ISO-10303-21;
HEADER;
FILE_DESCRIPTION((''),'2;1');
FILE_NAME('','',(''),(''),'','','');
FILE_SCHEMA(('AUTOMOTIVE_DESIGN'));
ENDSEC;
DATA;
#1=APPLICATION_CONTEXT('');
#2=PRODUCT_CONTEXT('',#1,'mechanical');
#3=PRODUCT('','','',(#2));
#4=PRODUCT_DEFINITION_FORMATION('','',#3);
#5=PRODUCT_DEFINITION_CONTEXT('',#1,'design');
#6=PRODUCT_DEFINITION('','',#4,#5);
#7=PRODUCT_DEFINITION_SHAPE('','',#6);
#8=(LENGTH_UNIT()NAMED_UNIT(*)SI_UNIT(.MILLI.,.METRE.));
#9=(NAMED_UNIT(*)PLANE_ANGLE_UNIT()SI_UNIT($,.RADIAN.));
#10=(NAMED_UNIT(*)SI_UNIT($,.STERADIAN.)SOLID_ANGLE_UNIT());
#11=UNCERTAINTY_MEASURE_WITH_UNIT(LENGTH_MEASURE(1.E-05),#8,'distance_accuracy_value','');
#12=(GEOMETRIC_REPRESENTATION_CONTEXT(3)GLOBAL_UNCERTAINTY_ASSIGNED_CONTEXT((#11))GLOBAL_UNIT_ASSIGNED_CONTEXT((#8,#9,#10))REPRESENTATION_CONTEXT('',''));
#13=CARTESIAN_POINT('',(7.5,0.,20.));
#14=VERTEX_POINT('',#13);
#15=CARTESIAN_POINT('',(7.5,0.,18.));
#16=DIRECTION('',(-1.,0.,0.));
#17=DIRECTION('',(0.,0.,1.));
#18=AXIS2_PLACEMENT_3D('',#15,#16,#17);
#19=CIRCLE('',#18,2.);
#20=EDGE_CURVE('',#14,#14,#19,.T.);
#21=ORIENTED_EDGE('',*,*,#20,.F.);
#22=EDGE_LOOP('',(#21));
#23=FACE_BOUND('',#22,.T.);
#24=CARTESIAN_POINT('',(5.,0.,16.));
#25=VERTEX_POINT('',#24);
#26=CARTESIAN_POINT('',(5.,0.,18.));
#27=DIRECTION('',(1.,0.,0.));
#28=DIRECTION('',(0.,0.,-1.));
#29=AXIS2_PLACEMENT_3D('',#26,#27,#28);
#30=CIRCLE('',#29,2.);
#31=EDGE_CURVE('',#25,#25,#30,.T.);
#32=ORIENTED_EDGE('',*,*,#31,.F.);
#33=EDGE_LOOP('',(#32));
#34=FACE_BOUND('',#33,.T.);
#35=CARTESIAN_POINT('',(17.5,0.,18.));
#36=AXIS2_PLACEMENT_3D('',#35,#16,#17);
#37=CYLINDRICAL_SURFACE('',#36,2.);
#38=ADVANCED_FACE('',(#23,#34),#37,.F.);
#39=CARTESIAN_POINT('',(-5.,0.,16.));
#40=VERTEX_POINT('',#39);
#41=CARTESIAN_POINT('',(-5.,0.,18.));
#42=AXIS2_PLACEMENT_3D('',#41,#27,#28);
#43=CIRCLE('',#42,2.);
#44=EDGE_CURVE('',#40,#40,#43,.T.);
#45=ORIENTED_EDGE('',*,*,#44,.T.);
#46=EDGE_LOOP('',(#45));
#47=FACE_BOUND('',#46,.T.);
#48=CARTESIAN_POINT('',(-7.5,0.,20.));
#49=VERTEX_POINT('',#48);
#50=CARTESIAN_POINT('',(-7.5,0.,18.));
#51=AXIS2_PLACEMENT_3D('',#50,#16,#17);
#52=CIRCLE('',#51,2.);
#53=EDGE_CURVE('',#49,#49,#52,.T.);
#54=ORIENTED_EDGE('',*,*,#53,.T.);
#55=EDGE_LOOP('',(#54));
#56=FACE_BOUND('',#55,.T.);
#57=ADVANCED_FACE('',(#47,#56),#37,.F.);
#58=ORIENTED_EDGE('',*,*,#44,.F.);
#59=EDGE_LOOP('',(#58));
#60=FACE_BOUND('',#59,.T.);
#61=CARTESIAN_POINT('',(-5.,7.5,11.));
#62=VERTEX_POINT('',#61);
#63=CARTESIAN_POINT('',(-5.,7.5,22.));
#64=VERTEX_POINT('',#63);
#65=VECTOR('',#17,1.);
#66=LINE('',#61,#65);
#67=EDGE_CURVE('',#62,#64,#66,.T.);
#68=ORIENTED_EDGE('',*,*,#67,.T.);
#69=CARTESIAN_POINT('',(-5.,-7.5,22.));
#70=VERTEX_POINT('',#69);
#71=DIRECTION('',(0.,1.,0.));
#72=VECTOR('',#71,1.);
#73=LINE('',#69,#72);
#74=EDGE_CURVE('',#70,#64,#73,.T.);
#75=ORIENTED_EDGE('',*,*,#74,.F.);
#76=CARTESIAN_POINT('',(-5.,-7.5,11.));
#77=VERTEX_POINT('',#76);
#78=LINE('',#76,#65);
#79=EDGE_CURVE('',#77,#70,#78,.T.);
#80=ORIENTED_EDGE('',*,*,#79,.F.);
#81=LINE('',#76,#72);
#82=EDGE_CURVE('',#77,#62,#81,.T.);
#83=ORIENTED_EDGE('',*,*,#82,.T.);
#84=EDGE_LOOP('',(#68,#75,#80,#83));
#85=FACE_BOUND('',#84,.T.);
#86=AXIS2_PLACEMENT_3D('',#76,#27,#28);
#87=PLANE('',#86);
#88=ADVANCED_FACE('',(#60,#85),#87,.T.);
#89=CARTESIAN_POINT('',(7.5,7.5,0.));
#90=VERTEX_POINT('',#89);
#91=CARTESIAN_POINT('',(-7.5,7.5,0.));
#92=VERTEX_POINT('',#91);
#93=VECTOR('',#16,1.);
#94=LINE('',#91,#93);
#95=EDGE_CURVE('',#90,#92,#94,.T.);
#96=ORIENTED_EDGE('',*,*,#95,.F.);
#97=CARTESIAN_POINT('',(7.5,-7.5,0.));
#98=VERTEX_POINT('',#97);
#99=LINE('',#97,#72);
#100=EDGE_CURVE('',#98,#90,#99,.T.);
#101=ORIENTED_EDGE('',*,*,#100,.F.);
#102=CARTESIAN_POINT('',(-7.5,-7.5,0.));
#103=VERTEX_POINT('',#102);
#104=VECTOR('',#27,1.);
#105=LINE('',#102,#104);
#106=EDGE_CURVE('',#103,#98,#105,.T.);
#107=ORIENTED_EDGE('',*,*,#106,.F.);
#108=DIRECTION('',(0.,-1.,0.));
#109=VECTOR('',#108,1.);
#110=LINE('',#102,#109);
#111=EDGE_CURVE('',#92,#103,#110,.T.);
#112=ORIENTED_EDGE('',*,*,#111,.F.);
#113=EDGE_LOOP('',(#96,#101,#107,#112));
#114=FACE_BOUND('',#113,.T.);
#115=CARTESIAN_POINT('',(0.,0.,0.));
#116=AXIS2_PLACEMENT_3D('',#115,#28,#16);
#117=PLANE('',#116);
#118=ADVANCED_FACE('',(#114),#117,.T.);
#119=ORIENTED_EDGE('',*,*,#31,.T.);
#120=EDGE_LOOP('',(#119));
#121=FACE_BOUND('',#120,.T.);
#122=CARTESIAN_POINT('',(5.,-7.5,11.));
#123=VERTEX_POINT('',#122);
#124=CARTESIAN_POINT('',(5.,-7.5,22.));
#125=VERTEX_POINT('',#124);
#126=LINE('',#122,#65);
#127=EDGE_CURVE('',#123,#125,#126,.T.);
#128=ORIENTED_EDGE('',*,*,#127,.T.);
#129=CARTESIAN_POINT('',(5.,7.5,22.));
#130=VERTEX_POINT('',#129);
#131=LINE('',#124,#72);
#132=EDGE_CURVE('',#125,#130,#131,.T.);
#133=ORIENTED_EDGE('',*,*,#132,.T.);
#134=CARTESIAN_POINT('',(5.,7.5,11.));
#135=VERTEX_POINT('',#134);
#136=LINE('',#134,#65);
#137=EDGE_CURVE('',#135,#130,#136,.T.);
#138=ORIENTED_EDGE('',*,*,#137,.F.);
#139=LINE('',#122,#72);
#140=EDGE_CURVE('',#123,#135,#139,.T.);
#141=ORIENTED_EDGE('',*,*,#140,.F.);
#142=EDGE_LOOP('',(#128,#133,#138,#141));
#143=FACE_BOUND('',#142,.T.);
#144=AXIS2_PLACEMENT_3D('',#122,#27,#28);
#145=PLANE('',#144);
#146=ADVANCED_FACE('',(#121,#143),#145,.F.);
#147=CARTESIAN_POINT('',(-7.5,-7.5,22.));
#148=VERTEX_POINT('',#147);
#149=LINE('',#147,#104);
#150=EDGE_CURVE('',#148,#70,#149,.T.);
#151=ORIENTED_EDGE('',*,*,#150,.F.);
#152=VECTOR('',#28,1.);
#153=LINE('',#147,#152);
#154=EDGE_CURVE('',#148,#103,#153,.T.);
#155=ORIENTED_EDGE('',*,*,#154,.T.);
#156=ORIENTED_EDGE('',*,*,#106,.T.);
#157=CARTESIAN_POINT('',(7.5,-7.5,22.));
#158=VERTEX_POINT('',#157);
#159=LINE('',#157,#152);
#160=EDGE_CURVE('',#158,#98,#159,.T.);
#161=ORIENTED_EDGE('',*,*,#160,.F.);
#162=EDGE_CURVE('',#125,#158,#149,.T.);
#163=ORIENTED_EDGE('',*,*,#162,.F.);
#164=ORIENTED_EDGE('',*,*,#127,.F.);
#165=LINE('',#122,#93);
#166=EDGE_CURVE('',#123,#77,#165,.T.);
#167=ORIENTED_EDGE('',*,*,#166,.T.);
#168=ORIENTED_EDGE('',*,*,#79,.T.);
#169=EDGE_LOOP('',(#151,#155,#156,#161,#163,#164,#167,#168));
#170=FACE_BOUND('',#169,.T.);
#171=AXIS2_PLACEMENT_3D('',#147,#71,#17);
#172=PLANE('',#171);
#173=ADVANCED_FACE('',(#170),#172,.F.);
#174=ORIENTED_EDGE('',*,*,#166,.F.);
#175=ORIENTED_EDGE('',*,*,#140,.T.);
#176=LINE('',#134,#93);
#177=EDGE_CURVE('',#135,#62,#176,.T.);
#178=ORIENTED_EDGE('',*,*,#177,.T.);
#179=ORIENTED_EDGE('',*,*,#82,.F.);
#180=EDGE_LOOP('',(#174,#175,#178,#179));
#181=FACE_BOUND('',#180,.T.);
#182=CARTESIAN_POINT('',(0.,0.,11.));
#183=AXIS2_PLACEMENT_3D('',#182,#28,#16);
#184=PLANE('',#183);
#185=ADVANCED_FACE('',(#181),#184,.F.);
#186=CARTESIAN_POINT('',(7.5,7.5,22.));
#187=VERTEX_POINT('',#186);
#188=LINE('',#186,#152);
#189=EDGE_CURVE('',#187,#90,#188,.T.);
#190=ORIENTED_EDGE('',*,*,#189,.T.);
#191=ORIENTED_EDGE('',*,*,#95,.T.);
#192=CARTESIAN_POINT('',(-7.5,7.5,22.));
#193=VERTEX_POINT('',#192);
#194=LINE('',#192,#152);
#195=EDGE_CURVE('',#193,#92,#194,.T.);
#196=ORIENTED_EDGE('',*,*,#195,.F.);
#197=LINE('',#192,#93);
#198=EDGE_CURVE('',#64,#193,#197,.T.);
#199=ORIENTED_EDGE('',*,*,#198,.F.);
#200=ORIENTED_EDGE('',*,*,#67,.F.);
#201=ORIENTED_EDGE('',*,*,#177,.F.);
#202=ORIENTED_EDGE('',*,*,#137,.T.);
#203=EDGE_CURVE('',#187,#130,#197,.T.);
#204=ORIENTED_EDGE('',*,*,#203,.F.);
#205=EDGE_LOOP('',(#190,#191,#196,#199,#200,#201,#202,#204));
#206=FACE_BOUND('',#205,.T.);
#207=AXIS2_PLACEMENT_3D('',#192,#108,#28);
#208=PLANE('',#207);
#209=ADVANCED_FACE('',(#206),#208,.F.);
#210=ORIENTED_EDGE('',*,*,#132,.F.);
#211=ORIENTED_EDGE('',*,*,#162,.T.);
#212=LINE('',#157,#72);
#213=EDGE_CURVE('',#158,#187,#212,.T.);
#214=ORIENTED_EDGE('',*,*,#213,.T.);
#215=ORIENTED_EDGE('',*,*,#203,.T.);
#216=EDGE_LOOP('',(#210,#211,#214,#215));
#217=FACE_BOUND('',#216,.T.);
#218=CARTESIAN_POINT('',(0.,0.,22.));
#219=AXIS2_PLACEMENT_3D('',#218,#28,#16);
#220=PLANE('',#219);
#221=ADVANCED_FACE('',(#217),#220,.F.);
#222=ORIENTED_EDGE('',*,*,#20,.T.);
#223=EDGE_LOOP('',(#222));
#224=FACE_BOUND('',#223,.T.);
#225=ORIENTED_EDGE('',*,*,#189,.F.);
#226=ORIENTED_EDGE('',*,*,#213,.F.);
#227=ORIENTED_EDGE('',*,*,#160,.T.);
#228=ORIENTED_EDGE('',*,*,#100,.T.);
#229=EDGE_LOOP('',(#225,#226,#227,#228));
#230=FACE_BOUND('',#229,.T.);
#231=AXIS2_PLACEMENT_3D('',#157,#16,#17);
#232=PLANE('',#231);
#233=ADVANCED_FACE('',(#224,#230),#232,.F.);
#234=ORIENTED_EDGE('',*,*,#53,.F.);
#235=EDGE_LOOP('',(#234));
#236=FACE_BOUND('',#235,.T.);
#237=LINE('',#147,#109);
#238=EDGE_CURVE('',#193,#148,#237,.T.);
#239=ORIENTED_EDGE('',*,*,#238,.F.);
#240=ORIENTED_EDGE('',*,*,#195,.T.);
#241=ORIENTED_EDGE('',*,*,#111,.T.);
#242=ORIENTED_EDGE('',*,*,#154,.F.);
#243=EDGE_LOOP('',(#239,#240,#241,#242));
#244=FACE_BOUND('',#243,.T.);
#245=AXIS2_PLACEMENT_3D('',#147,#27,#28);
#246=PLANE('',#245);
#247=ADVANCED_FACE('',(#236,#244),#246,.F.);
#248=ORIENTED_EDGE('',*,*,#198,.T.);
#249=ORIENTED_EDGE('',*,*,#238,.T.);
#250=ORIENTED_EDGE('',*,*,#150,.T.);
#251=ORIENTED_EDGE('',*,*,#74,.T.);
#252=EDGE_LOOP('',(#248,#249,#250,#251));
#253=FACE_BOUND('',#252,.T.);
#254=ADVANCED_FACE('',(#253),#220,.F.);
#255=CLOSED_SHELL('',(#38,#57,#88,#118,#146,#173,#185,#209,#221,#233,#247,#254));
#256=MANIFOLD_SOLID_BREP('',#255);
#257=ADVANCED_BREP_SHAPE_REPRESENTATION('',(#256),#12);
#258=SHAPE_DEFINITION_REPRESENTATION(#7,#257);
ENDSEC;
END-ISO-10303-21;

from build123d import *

# Parameters (mm, degrees)
SKETCH2_W           = 15
SKETCH2_H           = 15
BOSS_EXTRUDE2_DEPTH = 22
SKETCH4_W           = 10
SKETCH4_H           = 15
CUT_EXTRUDE1_DEPTH  = 11
SKETCH5_R           = 2
CUT_EXTRUDE2_DEPTH  = 25


with BuildPart() as part:
    # Sketch2 → Boss-Extrude2 (new body)
    with BuildSketch(Plane.XY):
        Rectangle(SKETCH2_W, SKETCH2_H)
    extrude(amount=BOSS_EXTRUDE2_DEPTH)

    # Sketch4 → Cut-Extrude1 (cut)
    with BuildSketch(Plane.XY.offset(22)):
        Rectangle(SKETCH4_W, SKETCH4_H)
    extrude(amount=-CUT_EXTRUDE1_DEPTH, mode=Mode.SUBTRACT)

    # Sketch5 → Cut-Extrude2 (cut)
    with BuildSketch(Plane.ZY.offset(7.5)):
        with Locations((18, 0)):
            Circle(SKETCH5_R)
    extrude(amount=-CUT_EXTRUDE2_DEPTH, mode=Mode.SUBTRACT)


solid = part.part
